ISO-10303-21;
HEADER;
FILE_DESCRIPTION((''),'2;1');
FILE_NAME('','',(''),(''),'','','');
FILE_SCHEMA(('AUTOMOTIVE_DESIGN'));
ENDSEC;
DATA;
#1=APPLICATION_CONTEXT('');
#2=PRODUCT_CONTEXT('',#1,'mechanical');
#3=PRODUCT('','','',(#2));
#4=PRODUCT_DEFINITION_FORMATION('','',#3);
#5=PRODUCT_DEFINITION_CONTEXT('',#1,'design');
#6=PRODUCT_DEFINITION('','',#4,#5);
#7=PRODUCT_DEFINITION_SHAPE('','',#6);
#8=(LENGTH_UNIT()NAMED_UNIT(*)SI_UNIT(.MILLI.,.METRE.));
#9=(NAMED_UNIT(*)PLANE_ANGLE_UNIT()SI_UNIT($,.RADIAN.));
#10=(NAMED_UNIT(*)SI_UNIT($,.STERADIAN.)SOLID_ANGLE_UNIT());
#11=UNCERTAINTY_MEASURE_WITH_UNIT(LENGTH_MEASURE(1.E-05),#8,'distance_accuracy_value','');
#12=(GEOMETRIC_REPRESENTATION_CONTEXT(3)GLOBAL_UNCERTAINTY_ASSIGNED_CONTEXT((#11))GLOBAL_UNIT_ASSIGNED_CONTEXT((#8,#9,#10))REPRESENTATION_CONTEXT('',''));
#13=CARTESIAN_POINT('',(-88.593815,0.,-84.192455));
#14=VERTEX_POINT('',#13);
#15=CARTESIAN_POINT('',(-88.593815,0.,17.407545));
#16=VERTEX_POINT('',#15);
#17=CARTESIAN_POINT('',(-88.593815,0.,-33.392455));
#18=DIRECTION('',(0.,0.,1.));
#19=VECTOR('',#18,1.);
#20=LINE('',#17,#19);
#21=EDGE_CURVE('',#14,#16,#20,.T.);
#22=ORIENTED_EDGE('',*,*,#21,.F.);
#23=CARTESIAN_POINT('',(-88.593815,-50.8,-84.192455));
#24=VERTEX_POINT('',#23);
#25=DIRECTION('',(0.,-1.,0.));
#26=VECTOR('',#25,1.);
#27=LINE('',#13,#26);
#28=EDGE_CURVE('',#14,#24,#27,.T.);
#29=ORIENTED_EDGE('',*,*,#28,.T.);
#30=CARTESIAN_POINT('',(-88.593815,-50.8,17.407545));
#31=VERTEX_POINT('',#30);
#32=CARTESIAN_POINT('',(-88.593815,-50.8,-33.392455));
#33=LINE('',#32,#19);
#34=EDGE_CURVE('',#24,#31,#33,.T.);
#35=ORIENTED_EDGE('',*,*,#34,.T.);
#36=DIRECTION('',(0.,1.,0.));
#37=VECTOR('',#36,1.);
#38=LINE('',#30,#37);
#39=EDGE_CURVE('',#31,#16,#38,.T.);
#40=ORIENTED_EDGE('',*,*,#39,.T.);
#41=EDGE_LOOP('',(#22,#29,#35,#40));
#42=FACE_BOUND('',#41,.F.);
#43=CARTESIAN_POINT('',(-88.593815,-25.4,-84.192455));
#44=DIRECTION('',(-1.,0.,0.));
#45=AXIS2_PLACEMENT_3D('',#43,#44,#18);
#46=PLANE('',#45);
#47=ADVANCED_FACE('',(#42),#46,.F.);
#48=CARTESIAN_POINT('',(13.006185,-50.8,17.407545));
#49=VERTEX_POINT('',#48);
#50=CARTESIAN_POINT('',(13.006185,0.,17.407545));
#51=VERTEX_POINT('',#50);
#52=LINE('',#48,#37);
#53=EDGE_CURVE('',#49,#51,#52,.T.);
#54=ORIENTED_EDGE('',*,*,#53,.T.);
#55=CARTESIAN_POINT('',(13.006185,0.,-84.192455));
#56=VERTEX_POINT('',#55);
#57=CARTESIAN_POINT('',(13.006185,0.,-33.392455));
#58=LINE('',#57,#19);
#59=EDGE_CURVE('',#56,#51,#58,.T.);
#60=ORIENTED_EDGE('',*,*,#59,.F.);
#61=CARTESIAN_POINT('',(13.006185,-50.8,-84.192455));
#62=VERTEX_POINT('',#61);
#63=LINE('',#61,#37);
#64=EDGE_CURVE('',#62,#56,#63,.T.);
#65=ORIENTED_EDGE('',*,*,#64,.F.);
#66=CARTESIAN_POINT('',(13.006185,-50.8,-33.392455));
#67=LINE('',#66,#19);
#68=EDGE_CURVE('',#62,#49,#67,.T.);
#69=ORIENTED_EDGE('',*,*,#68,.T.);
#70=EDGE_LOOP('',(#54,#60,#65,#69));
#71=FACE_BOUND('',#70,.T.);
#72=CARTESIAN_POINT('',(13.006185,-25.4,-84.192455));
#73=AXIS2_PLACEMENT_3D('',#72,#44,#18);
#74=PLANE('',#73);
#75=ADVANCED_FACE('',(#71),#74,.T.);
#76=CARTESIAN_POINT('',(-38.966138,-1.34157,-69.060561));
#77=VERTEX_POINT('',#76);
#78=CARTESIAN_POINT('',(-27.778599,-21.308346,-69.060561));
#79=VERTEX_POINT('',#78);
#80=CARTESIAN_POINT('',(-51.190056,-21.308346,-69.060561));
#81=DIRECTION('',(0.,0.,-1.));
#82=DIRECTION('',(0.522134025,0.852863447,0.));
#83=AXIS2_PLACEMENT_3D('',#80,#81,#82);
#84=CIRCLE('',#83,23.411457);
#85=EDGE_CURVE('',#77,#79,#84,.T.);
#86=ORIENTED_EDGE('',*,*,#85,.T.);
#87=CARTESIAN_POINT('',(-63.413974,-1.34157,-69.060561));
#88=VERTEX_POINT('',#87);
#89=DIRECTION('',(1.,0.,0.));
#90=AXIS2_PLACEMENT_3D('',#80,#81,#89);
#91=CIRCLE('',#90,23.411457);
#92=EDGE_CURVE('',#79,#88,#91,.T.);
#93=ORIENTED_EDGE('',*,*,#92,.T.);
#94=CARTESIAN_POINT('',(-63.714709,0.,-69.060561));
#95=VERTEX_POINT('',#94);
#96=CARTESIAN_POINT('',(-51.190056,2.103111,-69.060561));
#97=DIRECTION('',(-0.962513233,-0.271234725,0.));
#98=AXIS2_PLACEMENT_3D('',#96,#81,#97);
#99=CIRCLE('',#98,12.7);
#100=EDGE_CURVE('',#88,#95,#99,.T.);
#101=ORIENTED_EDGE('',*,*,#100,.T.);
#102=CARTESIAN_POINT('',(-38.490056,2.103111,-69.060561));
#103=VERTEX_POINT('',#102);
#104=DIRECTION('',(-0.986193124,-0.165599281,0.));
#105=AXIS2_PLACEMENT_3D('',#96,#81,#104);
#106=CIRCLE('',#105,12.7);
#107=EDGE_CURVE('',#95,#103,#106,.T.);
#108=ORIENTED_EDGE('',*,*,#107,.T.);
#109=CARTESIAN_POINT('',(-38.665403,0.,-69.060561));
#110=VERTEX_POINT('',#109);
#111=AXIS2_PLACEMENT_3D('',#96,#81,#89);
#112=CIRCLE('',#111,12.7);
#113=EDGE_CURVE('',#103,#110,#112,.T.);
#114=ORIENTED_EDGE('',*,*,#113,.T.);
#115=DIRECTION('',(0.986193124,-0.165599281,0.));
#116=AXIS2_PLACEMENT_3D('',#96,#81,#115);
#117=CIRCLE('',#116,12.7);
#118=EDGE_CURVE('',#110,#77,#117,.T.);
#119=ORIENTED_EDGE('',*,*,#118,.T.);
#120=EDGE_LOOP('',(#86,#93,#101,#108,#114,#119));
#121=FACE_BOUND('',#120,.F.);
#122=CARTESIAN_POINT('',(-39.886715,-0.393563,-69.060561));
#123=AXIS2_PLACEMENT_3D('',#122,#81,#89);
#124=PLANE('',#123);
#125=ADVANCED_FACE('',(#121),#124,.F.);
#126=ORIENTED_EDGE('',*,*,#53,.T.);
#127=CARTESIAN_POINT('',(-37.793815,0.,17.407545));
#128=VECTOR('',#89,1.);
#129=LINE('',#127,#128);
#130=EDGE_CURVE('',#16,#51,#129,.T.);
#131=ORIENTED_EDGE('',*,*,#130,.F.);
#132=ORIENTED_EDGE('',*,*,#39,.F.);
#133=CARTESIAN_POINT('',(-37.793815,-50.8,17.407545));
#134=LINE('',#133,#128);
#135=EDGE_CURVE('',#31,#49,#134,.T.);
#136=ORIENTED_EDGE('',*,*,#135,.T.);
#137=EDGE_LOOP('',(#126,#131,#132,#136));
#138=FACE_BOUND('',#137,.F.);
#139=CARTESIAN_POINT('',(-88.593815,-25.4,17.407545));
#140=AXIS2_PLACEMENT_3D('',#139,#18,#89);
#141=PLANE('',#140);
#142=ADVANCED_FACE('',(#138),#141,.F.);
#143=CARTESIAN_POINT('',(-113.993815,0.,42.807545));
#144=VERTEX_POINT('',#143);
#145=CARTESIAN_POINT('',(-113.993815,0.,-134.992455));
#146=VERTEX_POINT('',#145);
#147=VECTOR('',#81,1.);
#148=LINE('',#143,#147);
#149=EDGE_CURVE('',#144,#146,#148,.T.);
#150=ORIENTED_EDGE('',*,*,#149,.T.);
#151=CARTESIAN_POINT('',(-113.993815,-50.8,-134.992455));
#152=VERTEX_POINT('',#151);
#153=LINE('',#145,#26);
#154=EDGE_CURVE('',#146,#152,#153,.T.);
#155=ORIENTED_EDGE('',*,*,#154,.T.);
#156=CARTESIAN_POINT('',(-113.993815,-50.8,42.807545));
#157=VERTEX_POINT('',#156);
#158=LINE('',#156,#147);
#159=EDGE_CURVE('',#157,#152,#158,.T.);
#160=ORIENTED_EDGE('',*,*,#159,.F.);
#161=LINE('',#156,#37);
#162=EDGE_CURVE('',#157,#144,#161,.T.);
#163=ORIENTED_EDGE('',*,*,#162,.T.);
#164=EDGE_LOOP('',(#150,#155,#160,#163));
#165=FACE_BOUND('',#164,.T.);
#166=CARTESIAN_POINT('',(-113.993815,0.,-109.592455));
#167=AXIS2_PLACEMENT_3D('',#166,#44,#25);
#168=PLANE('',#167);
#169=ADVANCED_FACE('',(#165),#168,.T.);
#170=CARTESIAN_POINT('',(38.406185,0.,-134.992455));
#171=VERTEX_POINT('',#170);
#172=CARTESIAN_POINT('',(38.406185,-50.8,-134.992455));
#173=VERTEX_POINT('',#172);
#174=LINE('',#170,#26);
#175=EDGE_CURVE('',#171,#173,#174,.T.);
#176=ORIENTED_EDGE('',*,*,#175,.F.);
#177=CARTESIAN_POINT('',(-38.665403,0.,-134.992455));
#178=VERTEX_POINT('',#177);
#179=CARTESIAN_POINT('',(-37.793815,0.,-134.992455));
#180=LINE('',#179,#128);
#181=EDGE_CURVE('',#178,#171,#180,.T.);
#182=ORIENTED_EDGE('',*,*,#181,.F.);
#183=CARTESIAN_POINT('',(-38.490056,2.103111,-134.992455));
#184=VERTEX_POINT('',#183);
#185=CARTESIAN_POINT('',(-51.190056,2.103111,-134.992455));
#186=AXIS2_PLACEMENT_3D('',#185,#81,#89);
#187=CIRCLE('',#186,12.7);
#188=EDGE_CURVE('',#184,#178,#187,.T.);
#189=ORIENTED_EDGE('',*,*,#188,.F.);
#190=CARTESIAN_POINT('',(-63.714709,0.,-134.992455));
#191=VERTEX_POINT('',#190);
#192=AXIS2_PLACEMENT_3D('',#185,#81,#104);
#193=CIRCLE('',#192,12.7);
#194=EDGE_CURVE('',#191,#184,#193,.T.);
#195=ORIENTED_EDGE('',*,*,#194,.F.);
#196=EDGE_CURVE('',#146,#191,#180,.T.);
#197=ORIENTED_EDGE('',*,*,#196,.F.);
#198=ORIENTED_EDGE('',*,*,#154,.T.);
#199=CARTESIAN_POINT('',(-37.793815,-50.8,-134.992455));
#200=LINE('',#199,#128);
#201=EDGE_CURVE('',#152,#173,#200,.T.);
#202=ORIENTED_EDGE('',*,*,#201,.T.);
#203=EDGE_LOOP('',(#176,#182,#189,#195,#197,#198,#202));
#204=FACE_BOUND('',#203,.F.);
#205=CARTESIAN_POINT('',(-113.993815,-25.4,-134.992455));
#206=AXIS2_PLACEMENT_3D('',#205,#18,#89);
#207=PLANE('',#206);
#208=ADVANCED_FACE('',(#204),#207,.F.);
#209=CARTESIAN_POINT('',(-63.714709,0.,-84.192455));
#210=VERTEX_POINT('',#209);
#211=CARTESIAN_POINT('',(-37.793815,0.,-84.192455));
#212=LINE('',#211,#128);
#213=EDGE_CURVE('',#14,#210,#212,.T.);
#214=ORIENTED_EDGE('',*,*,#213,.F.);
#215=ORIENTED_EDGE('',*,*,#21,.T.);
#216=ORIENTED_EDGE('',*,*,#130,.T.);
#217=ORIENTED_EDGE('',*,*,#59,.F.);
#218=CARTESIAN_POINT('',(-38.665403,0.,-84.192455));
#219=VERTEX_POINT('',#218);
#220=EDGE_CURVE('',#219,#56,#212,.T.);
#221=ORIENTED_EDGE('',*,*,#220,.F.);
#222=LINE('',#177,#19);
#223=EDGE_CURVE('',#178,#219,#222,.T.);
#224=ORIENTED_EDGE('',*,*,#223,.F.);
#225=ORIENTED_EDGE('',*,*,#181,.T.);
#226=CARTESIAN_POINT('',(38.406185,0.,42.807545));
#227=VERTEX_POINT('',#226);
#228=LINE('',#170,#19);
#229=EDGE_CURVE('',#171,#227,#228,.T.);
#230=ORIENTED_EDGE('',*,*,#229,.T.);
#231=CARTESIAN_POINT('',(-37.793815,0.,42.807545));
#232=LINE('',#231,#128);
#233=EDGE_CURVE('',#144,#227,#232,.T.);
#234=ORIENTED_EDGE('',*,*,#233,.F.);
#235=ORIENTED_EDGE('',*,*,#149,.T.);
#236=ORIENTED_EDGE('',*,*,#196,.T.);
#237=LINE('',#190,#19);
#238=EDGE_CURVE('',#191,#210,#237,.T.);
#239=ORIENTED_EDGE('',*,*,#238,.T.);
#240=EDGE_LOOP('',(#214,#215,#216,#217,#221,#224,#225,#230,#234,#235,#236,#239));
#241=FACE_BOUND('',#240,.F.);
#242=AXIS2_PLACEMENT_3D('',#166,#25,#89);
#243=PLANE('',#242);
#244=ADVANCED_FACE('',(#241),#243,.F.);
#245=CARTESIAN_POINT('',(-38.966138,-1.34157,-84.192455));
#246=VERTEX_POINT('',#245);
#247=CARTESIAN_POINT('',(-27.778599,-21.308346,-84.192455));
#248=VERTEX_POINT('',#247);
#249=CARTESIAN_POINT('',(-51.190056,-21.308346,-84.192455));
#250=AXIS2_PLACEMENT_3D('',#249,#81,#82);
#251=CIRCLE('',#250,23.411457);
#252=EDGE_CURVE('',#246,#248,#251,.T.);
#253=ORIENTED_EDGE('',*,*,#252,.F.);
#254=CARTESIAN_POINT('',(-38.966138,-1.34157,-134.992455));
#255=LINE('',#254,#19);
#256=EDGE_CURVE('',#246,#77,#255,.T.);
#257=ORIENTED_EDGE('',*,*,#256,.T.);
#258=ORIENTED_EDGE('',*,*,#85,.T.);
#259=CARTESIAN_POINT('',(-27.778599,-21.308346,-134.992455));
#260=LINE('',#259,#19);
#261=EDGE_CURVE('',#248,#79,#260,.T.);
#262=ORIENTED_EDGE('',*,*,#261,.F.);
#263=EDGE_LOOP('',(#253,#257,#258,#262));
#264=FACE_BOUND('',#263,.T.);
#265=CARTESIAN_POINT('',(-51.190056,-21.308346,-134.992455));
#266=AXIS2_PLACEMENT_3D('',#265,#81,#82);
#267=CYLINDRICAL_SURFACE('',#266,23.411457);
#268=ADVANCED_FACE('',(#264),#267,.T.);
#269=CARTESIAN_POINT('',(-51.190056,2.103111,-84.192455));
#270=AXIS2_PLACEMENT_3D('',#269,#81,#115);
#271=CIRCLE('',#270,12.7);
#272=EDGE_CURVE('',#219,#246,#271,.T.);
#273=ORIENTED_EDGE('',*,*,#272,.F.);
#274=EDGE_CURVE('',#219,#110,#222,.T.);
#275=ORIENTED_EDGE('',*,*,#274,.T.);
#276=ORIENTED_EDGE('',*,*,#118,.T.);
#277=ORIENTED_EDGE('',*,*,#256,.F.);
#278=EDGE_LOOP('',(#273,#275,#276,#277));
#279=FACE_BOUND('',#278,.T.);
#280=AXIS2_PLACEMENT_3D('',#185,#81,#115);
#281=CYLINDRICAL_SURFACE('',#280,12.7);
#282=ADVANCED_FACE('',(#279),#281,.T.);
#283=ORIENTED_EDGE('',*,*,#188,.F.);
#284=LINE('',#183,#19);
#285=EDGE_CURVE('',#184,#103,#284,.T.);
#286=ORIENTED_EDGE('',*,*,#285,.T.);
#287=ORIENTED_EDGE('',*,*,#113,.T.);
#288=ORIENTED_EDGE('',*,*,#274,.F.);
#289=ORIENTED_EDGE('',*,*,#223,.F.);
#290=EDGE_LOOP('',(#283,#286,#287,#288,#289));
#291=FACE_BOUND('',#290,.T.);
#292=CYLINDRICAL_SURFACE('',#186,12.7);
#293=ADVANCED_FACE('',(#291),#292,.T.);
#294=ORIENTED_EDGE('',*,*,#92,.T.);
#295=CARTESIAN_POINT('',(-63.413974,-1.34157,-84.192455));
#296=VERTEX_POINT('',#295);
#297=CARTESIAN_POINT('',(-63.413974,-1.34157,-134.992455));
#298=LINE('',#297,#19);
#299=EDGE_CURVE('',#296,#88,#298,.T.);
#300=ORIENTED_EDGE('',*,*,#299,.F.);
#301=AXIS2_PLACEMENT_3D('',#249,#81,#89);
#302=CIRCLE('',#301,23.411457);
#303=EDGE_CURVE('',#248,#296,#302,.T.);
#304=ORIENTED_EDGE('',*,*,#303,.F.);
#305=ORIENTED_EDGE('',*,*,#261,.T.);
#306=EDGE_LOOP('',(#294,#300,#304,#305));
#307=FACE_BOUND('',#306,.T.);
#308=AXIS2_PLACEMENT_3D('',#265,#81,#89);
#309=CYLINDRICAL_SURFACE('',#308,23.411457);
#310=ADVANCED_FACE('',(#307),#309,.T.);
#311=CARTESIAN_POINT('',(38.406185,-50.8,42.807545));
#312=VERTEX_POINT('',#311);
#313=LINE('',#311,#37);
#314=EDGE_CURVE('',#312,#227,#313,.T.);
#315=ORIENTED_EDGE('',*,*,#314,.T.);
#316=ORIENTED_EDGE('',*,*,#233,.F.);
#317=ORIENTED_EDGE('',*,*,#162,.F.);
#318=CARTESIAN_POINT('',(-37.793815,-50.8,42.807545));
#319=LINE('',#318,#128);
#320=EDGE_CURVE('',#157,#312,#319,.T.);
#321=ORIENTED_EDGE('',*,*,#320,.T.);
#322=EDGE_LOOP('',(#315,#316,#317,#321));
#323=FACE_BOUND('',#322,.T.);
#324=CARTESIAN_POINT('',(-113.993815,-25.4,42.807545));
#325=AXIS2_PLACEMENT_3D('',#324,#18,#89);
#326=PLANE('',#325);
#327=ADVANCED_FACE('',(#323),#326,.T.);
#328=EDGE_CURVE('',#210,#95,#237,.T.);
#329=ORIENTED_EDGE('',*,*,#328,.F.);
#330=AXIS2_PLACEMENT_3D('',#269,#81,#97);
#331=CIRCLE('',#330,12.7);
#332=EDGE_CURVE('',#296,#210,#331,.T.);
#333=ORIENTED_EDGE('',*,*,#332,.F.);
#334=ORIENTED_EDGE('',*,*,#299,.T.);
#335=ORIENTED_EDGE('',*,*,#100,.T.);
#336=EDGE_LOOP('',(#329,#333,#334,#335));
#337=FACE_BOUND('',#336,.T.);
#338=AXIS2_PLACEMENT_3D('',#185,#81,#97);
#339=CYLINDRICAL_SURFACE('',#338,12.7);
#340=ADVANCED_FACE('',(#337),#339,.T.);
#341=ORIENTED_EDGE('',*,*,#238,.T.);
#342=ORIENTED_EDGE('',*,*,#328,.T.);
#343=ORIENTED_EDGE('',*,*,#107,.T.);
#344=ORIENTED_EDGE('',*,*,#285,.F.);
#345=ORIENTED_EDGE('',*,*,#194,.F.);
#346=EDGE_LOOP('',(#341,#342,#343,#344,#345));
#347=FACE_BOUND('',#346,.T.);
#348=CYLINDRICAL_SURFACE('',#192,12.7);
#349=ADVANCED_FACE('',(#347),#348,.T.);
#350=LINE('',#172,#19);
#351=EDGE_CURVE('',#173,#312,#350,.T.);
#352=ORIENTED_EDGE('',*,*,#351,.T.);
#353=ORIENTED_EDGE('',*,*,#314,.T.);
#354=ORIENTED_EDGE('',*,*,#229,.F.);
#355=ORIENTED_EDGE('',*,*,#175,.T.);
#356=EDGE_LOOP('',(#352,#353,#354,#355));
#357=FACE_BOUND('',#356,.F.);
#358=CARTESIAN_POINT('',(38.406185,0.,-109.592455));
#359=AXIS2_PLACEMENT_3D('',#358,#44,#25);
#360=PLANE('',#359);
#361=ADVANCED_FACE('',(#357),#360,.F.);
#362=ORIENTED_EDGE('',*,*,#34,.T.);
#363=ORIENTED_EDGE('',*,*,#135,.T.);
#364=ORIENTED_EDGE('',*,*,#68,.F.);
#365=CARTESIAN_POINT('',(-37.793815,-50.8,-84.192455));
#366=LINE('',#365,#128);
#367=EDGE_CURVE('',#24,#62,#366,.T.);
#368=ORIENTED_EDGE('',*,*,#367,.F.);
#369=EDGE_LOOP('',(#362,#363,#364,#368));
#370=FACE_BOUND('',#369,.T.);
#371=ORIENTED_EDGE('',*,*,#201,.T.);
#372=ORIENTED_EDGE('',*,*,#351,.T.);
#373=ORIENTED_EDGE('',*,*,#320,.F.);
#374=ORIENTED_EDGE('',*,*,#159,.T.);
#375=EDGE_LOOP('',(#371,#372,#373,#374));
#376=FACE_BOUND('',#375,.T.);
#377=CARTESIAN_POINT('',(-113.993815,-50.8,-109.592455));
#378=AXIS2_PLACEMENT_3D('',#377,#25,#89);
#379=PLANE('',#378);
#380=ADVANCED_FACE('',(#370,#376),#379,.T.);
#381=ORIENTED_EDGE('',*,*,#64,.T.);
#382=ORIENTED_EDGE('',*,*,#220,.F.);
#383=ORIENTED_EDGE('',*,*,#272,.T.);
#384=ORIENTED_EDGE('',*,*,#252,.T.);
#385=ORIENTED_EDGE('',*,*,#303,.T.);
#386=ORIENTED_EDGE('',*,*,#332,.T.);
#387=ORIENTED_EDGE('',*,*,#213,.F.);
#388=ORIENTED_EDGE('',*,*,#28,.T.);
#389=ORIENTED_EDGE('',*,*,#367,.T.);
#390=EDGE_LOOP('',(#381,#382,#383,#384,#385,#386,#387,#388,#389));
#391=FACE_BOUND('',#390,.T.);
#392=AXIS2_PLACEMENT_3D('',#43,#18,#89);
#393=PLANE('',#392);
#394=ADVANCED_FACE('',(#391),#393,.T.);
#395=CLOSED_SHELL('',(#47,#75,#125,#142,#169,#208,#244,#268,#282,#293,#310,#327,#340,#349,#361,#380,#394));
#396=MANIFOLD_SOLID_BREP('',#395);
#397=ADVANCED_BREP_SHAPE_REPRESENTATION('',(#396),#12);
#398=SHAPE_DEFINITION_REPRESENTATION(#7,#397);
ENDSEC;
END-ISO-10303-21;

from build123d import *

# Parameters (mm, degrees)
F0_W         = 152.4
F0_H         = 152.4
F0_W_2       = 101.6
F0_H_2       = 101.6
F1_DEPTH     = 25.4
F2_W         = 152.4
F2_H         = 152.4
F2_W_2       = 101.6
F2_H_2       = 101.6
F1_FACE1_W   = 152.4
F1_FACE1_H   = 152.4
F1_FACE1_W_2 = 101.6
F1_FACE1_H_2 = 101.6
F3_DEPTH     = 25.4
F4_DEPTH     = 25.4
F6_DEPTH     = 65.9318938851


with BuildPart() as f1:
    # F0 (on Front) → F1 (new body)
    with BuildSketch(Plane.XZ):
        with Locations((-37.793815136, -33.3924548149)):
            Rectangle(F0_W, F0_H)
        with Locations((-37.793815136, -33.3924548149)):
            Rectangle(F0_W_2, F0_H_2, mode=Mode.SUBTRACT)
    extrude(amount=F1_DEPTH)

    # F2 (on face) + F1_face1 (on face) → F3 (join)
    with BuildSketch(Plane.XZ.offset(25.4)):
        with Locations((-37.793815136, -33.3924548149)):
            Rectangle(F2_W, F2_H)
        with Locations((-37.793815136, -33.3924548149)):
            Rectangle(F2_W_2, F2_H_2, mode=Mode.SUBTRACT)
    with BuildSketch(Plane(origin=(-37.793815136, 0, -33.3924548149), x_dir=(1, 0, 0), z_dir=(0, 1, 0))):
        Rectangle(F1_FACE1_W, F1_FACE1_H)
        Rectangle(F1_FACE1_W_2, F1_FACE1_H_2, mode=Mode.SUBTRACT)
    extrude(amount=F3_DEPTH, dir=(0, -1, 0))

    # F4 (add): a face of the model
    f4_faces = [f1.faces().sort_by_distance(p)[0] for p in [
        (-37.793815136, -25.4, -109.5924548149),
    ]]
    extrude(f4_faces, amount=F4_DEPTH)

    # F5 (on face) → F6 (join)
    with BuildSketch(Plane(origin=(0, 0, -134.9924548149), x_dir=(1, 0, 0), z_dir=(0, 0, -1))):
        with BuildLine():
            ThreePointArc((-38.6654032298, 0), (-38.7976029218, 0.6748576376), (-38.9661378476, 1.3415701457))
            ThreePointArc((-38.9661378476, 1.3415701457), (-40.2086037303, 0.632175677), (-41.4920817767, 0))
            Line((-41.4920817767, 0), (-38.6654032298, 0))
        make_face()
        with BuildLine():
            ThreePointArc((-38.9661378476, 1.3415701457), (-51.1900559068, 10.5968891325), (-63.4139739659, 1.3415701457))
            ThreePointArc((-63.4139739659, 1.3415701457), (-62.1715080832, 0.632175677), (-60.8880300369, 0))
            Line((-60.8880300369, 0), (-41.4920817767, 0))
            ThreePointArc((-41.4920817767, 0), (-40.2086037303, 0.632175677), (-38.9661378476, 1.3415701457))
        make_face()
        with BuildLine():
            ThreePointArc((-60.8880300369, 0), (-62.1715080832, 0.632175677), (-63.4139739659, 1.3415701457))
            ThreePointArc((-63.4139739659, 1.3415701457), (-63.5825088917, 0.6748576376), (-63.7147085837, 0))
            Line((-63.7147085837, 0), (-60.8880300369, 0))
        make_face()
        with BuildLine():
            ThreePointArc((-41.4920817767, 0), (-51.1900559068, -2.1031108675), (-60.8880300369, 0))
            Line((-60.8880300369, 0), (-63.7147085837, 0))
            ThreePointArc((-63.7147085837, 0), (-52.2452599161, -14.7591981183), (-38.4900559068, -2.1031108675))
            ThreePointArc((-38.4900559068, -2.1031108675), (-38.533968656, -1.0479068583), (-38.6654032298, 0))
            Line((-38.6654032298, 0), (-41.4920817767, 0))
        make_face()
        with BuildLine():
            Line((-41.4920817767, 0), (-60.8880300369, 0))
            ThreePointArc((-60.8880300369, 0), (-51.1900559068, -2.1031108675), (-41.4920817767, 0))
        make_face()
        with BuildLine():
            ThreePointArc((-38.9661378476, 1.3415701457), (-30.7660990603, 9.8646449948), (-27.7785993191, 21.3083457202))
            ThreePointArc((-27.7785993191, 21.3083457202), (-62.6337566322, 41.7323025666), (-63.4139739659, 1.3415701457))
            ThreePointArc((-63.4139739659, 1.3415701457), (-51.1900559068, 10.5968891325), (-38.9661378476, 1.3415701457))
        make_face()
    extrude(amount=-F6_DEPTH)


solid = f1.part
